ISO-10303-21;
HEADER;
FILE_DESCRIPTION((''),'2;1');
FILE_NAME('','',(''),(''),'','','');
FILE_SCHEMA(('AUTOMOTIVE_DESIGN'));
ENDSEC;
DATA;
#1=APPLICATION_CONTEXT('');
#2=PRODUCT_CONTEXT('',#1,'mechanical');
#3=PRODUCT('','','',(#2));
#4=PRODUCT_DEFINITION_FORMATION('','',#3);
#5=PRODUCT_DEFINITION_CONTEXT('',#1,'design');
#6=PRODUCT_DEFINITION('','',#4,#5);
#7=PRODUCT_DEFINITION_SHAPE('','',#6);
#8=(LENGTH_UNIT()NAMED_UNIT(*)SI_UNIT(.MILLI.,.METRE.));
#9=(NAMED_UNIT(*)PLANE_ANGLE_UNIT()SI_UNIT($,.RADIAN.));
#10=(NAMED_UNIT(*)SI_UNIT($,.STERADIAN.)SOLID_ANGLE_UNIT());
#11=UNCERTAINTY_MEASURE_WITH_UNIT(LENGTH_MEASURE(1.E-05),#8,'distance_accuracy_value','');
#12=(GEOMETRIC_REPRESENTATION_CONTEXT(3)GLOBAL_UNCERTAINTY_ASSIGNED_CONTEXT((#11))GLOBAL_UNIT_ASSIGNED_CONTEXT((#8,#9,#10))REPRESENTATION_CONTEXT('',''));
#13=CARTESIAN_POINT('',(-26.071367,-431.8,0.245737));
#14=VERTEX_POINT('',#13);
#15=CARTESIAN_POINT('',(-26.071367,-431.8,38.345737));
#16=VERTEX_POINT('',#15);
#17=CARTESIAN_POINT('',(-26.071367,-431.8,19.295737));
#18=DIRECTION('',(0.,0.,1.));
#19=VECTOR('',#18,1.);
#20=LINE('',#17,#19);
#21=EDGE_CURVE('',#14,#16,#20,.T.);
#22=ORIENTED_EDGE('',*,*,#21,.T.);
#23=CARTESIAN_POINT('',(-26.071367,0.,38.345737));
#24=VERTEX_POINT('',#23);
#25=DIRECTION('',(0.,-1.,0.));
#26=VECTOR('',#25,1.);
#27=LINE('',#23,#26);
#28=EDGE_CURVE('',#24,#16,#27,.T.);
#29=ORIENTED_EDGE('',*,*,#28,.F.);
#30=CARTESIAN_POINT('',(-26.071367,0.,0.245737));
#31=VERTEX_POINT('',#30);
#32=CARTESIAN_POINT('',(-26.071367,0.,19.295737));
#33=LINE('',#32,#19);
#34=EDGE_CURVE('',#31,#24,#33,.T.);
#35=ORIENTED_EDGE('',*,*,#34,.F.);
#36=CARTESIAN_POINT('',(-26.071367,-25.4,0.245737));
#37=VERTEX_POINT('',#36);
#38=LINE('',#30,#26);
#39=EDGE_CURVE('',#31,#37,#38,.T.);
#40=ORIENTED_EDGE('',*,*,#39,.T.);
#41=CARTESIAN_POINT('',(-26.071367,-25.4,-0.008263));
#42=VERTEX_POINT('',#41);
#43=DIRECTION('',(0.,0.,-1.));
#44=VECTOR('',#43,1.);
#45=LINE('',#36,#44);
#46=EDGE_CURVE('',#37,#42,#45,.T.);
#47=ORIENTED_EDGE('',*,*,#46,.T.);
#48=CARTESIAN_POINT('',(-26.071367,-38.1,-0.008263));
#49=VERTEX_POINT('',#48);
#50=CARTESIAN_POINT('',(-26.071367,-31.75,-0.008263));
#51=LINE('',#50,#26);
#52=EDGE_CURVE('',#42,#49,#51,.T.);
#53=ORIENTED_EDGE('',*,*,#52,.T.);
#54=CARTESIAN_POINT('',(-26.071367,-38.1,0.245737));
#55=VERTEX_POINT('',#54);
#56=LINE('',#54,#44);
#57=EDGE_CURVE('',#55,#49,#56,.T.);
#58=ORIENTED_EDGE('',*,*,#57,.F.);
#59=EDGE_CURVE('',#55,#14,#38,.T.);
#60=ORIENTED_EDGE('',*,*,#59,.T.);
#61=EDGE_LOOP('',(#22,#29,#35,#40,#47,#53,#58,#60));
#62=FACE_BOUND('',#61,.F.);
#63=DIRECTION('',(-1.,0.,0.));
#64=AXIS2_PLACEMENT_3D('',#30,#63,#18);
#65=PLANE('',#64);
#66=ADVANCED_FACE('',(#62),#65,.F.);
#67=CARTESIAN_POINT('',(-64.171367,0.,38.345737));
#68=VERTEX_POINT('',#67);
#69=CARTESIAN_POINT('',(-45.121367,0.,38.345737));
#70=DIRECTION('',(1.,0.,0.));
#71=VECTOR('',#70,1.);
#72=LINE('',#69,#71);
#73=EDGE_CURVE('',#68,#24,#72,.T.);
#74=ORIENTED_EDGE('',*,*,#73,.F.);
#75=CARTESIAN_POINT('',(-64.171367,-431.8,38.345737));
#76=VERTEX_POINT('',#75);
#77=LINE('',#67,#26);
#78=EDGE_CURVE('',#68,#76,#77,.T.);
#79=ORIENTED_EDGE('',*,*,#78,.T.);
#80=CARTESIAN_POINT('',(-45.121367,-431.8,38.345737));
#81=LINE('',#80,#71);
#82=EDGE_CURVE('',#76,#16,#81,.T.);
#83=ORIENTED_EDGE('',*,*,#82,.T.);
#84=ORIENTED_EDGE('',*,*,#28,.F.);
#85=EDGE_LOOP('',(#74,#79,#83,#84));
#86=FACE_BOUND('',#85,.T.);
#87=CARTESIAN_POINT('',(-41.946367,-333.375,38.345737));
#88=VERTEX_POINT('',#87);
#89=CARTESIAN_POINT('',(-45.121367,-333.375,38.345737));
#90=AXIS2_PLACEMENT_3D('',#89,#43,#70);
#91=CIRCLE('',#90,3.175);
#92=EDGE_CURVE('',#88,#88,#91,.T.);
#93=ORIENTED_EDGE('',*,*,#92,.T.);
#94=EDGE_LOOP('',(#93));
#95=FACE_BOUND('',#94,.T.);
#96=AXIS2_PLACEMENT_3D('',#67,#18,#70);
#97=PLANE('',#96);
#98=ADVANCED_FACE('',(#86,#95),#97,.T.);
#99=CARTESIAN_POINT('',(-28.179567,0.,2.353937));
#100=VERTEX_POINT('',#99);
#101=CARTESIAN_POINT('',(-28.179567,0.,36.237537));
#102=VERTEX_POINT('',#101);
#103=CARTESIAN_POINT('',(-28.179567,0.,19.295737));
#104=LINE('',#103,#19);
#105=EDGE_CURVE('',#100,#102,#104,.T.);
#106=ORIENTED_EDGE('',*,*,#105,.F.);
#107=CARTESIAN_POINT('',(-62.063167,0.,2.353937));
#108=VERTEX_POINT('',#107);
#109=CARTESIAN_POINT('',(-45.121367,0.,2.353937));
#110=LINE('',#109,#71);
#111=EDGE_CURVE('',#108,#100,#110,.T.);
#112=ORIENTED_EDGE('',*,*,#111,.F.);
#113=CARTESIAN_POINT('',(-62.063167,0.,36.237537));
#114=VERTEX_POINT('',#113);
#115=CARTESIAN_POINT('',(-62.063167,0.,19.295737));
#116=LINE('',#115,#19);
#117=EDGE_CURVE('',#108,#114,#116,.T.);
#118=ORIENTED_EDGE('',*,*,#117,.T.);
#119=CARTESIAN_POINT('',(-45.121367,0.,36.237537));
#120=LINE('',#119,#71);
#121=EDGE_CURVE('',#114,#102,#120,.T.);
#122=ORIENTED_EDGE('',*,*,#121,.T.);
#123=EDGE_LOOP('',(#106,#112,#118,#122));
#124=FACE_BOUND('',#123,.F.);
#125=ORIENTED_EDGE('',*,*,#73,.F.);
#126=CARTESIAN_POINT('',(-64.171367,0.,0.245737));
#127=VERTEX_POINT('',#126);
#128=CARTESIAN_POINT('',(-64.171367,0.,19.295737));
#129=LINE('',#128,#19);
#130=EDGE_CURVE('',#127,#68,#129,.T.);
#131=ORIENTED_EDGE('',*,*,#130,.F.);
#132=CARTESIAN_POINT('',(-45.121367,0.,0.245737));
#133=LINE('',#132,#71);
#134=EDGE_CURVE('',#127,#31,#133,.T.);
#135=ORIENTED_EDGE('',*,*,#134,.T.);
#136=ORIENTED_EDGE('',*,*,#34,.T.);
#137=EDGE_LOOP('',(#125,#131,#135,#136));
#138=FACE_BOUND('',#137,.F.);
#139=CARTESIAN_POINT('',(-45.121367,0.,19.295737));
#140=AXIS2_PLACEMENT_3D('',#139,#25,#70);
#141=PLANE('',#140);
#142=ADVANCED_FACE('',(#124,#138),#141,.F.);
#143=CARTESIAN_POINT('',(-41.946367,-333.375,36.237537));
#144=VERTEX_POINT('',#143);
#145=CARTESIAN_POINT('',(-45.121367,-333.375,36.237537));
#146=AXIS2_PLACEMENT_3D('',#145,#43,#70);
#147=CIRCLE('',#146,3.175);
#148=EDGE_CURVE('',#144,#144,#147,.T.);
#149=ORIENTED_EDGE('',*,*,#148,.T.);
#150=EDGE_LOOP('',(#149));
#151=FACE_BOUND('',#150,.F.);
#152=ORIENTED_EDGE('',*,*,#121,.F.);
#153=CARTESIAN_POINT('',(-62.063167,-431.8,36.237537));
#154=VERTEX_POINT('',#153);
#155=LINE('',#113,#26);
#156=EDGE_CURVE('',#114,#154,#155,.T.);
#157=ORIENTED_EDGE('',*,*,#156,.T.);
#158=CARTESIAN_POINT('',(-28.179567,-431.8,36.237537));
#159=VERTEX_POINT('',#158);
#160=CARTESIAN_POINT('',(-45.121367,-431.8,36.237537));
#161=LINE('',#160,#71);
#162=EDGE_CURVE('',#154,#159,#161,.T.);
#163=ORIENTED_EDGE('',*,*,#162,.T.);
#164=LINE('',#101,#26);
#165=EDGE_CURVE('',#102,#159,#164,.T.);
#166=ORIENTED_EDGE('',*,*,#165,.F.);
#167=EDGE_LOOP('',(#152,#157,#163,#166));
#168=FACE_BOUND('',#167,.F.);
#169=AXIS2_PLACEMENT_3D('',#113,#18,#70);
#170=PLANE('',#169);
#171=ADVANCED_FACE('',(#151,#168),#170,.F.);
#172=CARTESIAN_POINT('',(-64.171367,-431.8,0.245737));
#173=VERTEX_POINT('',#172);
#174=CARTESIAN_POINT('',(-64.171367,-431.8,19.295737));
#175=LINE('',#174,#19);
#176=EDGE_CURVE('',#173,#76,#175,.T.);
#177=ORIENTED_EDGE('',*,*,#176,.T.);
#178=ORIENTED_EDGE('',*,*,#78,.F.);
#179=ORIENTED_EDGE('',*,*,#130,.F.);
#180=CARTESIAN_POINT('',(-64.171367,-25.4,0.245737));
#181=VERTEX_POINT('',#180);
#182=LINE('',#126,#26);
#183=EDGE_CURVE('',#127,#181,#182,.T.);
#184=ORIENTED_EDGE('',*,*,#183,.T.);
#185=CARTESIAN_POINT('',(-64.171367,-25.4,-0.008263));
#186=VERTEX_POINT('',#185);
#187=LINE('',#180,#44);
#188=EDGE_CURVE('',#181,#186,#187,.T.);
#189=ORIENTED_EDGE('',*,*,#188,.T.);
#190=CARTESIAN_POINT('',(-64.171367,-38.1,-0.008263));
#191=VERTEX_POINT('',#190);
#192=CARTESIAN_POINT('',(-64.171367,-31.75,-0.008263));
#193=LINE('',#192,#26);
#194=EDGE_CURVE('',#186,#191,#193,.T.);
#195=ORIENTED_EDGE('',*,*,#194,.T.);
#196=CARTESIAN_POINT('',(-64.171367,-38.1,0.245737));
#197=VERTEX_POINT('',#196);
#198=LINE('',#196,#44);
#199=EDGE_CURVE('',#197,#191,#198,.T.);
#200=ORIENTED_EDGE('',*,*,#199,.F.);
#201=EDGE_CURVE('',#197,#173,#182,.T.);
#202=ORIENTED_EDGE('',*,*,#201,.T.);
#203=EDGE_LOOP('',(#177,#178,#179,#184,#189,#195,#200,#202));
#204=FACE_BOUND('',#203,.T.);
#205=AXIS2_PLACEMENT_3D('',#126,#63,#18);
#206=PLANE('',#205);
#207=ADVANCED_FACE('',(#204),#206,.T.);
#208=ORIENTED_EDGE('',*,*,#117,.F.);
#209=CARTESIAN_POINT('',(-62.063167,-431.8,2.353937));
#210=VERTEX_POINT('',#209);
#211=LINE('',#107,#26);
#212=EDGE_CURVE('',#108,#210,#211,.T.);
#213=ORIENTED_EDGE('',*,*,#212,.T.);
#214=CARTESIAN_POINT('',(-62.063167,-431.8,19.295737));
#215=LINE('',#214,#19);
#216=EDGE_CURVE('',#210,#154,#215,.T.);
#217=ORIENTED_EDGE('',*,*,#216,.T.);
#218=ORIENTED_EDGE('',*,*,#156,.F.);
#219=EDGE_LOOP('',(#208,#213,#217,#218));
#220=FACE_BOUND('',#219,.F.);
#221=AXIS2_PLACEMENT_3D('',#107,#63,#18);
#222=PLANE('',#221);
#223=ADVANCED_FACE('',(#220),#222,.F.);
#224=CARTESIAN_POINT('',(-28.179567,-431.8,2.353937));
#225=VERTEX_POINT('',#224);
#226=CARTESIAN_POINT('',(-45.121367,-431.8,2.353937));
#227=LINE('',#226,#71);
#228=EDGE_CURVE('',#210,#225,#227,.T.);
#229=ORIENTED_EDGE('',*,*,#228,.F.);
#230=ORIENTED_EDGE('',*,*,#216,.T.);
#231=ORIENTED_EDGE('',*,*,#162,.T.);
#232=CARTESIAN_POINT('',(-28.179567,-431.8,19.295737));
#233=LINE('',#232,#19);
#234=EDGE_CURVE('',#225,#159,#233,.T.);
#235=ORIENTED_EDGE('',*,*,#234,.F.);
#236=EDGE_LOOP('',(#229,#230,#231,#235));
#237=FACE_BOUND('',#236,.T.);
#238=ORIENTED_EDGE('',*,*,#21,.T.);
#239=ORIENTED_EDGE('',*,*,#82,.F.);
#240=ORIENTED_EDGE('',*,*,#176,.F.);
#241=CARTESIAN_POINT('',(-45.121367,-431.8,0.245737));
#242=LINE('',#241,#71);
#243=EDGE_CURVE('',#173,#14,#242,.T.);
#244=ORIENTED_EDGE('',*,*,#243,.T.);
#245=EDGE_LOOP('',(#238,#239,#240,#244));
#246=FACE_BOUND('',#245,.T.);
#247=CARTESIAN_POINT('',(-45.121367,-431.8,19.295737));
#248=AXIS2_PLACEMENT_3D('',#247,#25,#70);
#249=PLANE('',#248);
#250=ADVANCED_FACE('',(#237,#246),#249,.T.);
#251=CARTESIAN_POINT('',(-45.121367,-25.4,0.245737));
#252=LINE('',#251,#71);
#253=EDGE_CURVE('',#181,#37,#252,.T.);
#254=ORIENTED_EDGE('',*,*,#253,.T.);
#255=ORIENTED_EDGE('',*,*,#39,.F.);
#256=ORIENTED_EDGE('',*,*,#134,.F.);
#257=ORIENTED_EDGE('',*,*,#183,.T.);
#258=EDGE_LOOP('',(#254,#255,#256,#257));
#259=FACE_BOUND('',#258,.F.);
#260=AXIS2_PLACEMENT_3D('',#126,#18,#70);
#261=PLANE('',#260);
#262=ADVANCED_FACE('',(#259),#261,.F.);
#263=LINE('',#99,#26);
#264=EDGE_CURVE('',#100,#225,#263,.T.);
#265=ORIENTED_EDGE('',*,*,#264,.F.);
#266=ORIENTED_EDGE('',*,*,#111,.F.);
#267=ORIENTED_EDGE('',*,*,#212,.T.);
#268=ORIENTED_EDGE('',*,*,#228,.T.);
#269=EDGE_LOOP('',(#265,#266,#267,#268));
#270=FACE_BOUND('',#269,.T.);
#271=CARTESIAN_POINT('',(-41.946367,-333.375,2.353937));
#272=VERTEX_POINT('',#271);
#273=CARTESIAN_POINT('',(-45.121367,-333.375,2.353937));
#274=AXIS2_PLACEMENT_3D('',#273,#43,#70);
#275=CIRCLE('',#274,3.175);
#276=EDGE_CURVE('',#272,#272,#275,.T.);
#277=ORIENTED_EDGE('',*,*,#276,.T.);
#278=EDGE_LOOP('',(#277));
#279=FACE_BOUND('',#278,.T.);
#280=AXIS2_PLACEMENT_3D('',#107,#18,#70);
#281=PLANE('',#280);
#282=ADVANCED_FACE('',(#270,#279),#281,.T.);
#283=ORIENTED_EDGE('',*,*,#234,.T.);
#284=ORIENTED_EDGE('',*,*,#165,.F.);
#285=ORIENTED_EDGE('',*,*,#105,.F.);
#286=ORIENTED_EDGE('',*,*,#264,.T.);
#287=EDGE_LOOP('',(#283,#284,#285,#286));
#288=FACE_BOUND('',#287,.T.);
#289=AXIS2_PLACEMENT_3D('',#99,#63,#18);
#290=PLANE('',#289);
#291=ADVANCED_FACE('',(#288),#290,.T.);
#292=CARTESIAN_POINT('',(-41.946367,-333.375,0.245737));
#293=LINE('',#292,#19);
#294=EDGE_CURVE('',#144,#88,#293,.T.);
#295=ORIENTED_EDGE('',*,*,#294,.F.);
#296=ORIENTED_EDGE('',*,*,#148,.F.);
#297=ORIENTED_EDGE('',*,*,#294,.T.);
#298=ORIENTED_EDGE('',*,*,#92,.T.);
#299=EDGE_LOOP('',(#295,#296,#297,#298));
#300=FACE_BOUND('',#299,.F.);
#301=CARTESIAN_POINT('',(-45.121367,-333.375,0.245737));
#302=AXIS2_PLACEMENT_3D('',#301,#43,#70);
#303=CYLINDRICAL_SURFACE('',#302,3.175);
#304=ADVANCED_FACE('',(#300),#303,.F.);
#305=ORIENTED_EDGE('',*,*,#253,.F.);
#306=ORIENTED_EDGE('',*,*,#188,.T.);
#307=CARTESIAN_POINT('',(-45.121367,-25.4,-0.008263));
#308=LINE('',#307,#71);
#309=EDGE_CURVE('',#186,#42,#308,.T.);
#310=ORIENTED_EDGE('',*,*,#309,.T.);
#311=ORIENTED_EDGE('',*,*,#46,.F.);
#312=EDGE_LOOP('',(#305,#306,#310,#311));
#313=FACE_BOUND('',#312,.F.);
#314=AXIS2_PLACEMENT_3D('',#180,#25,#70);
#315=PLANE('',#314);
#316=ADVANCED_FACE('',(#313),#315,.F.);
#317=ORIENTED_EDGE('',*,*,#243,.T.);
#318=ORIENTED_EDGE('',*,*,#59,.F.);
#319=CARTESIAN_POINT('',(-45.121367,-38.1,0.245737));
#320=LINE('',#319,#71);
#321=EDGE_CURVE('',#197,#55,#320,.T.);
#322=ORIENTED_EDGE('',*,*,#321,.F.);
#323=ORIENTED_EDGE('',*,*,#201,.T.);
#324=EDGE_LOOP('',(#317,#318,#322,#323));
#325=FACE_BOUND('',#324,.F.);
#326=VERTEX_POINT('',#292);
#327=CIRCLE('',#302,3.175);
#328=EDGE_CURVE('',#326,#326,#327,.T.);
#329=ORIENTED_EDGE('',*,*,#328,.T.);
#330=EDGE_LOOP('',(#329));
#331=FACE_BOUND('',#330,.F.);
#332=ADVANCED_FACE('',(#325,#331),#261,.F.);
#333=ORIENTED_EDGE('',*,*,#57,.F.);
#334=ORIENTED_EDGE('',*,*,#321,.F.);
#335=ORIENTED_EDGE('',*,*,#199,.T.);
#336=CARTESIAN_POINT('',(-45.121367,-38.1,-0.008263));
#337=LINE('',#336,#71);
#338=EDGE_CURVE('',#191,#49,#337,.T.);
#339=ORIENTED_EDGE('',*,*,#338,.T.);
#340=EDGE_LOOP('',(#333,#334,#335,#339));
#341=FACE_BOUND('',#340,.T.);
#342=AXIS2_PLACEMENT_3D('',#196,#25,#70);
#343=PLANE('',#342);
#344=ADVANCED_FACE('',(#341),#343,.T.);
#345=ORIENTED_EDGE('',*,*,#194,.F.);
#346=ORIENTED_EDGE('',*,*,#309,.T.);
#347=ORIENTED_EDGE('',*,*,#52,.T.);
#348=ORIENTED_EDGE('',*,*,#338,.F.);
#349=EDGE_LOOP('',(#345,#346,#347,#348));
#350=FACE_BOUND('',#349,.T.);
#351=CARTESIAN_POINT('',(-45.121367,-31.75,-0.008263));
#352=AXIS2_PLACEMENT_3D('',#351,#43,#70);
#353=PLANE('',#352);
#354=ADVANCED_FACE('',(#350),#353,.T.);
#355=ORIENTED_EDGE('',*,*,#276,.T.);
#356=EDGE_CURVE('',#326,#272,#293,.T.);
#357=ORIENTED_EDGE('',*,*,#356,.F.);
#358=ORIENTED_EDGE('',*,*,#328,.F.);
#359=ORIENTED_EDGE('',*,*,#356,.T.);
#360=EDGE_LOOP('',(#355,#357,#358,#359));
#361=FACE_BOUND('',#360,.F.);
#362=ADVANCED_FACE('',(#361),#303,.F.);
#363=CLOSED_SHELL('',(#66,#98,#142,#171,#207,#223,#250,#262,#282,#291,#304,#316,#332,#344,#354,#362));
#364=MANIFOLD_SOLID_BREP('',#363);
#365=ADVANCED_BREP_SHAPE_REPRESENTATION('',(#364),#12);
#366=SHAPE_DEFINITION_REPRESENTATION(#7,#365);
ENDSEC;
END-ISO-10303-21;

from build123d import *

# Parameters (mm, degrees)
F0_W     = 38.1
F0_H     = 38.1
F0_W_2   = 33.8836
F0_H_2   = 33.8836
F1_DEPTH = 431.8
F2_W     = 38.1
F2_H     = 12.7
F3_DEPTH = 0.254
F4_R     = 3.175
F5_DEPTH = 76.2


with BuildPart() as f1:
    # F0 (on Front) → F1 (new body)
    with BuildSketch(Plane.XZ):
        with Locations((-45.121367, 19.295737)):
            Rectangle(F0_W, F0_H)
        with Locations((-45.121367, 19.295737)):
            Rectangle(F0_W_2, F0_H_2, mode=Mode.SUBTRACT)
    extrude(amount=F1_DEPTH)

    # F2 (on face) → F3 (join)
    with BuildSketch(Plane(origin=(0, 0, 0.245737), x_dir=(1, 0, 0), z_dir=(0, 0, -1))):
        with Locations((-45.121367, 31.75)):
            Rectangle(F2_W, F2_H)
    extrude(amount=F3_DEPTH)

    # F4 (on face) → F5 (cut)
    with BuildSketch(Plane(origin=(0, 0, 0.245737), x_dir=(1, 0, 0), z_dir=(0, 0, -1))):
        with Locations((-45.121367, 333.375)):
            Circle(F4_R)
    extrude(amount=-F5_DEPTH, mode=Mode.SUBTRACT)


solid = f1.part
